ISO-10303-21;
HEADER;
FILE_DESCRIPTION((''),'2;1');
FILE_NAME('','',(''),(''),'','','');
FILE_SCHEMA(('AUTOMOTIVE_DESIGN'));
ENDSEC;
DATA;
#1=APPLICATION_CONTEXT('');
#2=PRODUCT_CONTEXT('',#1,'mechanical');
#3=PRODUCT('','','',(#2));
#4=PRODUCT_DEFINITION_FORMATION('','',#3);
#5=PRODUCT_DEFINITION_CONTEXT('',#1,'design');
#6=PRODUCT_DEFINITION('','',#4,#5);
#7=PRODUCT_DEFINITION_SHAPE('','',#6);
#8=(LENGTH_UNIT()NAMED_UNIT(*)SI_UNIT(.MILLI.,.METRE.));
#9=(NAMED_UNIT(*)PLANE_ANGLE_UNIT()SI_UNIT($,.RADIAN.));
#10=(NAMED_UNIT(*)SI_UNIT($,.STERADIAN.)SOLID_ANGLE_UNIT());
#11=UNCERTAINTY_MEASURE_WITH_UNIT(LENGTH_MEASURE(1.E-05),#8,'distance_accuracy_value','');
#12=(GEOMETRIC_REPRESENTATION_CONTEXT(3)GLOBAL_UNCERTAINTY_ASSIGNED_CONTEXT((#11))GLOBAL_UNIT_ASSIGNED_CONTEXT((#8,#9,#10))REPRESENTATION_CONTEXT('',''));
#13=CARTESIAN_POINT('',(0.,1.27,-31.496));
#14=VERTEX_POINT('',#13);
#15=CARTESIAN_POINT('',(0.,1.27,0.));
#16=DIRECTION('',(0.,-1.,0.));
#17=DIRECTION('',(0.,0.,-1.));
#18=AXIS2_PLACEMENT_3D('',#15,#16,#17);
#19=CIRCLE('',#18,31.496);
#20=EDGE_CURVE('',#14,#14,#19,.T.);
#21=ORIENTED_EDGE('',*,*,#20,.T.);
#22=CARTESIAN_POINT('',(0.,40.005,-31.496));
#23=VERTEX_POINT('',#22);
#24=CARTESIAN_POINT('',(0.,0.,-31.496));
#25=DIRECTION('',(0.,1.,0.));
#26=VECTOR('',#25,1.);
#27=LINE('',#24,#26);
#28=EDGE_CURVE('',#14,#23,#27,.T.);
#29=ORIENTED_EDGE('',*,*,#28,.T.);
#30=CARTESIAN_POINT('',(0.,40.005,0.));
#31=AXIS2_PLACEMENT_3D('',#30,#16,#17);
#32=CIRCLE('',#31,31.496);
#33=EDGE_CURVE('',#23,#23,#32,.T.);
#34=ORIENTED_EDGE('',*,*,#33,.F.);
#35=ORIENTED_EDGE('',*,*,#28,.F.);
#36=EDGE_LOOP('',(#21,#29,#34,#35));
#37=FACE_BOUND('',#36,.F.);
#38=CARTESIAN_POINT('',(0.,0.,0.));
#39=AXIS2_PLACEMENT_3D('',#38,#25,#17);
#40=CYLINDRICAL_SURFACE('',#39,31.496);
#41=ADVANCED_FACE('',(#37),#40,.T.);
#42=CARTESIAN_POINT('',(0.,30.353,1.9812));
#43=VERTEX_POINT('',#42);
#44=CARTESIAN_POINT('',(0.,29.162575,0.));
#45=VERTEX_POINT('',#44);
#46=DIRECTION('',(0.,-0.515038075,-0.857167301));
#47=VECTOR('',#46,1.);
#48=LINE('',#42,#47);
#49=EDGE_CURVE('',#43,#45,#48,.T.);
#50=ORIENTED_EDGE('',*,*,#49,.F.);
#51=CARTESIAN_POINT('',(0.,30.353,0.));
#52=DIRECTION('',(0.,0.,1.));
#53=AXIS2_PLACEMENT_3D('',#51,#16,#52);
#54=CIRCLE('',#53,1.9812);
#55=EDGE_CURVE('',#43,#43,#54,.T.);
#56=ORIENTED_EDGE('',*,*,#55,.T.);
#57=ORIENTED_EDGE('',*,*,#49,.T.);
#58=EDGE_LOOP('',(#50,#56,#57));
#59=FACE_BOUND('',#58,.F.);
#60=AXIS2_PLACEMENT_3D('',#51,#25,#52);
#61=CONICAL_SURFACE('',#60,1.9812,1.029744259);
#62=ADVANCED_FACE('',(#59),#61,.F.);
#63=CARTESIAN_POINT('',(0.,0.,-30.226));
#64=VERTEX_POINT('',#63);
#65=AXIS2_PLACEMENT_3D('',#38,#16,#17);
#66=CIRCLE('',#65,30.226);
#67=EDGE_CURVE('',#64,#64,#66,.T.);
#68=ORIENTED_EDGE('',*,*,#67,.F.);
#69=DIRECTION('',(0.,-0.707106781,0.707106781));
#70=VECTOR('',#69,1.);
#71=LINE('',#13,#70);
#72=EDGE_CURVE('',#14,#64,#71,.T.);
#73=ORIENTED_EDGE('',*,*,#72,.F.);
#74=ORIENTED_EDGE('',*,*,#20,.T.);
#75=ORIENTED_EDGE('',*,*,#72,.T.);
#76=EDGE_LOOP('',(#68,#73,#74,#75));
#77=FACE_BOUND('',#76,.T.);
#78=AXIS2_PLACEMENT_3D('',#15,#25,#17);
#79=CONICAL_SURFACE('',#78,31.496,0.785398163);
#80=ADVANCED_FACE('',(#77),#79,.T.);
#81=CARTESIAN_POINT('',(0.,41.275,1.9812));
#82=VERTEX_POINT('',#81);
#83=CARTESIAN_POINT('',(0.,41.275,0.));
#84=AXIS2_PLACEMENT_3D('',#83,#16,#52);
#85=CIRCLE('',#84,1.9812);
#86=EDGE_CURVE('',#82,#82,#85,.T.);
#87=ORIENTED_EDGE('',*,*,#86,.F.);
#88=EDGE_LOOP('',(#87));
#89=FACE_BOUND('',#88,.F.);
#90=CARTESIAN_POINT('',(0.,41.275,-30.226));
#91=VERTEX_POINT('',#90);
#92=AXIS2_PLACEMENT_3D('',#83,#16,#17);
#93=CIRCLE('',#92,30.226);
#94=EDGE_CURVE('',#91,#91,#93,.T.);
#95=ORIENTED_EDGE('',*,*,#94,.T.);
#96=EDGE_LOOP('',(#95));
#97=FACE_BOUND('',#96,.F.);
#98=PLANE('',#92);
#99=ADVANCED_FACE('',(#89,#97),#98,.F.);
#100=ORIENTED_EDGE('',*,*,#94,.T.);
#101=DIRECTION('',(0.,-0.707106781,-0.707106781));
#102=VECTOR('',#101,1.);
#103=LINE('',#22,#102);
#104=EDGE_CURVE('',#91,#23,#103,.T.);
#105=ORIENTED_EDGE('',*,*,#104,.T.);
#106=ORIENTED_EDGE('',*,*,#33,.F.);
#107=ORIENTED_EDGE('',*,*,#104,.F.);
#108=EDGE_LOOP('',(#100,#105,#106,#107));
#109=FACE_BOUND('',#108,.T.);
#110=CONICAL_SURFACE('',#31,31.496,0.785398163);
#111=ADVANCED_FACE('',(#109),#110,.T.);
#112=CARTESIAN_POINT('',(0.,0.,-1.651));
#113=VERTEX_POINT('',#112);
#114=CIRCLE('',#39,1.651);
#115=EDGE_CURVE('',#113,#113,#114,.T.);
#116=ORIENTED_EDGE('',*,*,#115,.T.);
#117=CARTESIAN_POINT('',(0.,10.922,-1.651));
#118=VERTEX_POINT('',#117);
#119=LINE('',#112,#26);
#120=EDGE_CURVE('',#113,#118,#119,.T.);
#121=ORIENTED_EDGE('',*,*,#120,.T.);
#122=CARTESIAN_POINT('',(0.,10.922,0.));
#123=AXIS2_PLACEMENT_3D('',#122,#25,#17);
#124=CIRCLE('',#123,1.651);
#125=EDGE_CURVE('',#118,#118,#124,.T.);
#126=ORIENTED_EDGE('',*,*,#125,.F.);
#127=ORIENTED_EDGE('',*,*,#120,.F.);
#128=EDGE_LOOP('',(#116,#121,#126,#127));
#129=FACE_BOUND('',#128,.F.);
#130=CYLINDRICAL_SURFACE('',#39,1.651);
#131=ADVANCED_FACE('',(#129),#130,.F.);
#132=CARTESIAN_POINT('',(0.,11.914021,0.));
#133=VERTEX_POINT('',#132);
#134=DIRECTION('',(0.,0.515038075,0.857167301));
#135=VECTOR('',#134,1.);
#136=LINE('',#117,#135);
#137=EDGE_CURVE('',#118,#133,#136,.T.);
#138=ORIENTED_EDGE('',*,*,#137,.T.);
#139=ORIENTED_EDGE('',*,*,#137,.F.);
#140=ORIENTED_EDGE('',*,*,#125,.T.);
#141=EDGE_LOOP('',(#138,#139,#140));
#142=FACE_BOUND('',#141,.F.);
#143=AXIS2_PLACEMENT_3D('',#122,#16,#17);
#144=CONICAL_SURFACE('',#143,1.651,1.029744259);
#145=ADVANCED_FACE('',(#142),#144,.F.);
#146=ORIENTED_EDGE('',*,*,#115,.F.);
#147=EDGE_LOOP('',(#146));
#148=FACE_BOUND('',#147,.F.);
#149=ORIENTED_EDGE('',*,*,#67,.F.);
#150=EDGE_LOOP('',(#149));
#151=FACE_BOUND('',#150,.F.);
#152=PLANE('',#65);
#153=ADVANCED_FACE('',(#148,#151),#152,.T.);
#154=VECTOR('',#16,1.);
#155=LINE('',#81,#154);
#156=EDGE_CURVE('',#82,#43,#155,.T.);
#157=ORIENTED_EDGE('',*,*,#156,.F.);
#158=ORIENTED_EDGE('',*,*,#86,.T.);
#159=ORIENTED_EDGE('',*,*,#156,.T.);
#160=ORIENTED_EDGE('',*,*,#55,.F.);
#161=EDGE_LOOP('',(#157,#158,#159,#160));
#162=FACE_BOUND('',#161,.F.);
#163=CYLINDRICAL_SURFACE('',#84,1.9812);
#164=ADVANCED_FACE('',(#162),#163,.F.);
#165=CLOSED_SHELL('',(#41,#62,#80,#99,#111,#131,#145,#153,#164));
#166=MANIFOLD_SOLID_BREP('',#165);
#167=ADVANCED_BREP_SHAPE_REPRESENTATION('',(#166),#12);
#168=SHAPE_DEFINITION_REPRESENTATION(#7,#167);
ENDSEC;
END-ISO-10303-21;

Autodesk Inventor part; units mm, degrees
ref_plane "YZ Plane" through (0, 0, 0) normal (1, 0, 0) x (0, 1, 0)
ref_plane "XZ Plane" through (0, 0, 0) normal (0, 1, 0) x (-1, 0, 0)
ref_plane "XY Plane" through (0, 0, 0) normal (0, 0, 1) x (1, 0, 0)
sketch "Sketch2" plane through (0, 0, 0) normal (1, 0, 0) x (0, 1, 0)
  line L0 (0, 0) -> (0, -31.496)
  line L1 (0, -31.496) -> (41.275, -31.496)
  line L2 (41.275, -31.496) -> (41.275, 0)
  line L3 (41.275, 0) -> (0, 0)
  dimension "d0" = 41.275
  dimension "d2" = 31.496
revolve "Revolution1" add sketch "Sketch2" angle 360 about axis through (0, 41.275, 0) along (0, -1, 0)
chamfer "Chamfer1" distance 1.27 angle 45 2 edges at (0, 41.275, 31.496) (0, 0, 31.496)
sketch "Sketch4" plane through (0, 0, 0) normal (0, -1, 0) x (1, 0, 0)
  circle A0 centre (0, 0) radius 3.175 projected
  point P0 (0, 0)
hole "Hole2" at (0, 0, 0) direction (0, 1, 0) diameter 3.302 depth 10.922 tip angle 118 thread size "8-32 UNC" class "2B" standard "ANSI Unified Screw Threads"
sketch "Sketch5" plane through (0, 41.275, 0) normal (0, 1, 0) x (1, 0, 0)
  circle A0 centre (0, 0) radius 1.651 projected
  point P0 (0, 0)
hole "Hole3" at (0, 41.275, 0) direction (0, -1, 0) diameter 3.9624 depth 10.922 tip angle 118 thread size "10-32 UNF" class "2B" standard "ANSI Unified Screw Threads"
properties part number "Fixture_Weight"
